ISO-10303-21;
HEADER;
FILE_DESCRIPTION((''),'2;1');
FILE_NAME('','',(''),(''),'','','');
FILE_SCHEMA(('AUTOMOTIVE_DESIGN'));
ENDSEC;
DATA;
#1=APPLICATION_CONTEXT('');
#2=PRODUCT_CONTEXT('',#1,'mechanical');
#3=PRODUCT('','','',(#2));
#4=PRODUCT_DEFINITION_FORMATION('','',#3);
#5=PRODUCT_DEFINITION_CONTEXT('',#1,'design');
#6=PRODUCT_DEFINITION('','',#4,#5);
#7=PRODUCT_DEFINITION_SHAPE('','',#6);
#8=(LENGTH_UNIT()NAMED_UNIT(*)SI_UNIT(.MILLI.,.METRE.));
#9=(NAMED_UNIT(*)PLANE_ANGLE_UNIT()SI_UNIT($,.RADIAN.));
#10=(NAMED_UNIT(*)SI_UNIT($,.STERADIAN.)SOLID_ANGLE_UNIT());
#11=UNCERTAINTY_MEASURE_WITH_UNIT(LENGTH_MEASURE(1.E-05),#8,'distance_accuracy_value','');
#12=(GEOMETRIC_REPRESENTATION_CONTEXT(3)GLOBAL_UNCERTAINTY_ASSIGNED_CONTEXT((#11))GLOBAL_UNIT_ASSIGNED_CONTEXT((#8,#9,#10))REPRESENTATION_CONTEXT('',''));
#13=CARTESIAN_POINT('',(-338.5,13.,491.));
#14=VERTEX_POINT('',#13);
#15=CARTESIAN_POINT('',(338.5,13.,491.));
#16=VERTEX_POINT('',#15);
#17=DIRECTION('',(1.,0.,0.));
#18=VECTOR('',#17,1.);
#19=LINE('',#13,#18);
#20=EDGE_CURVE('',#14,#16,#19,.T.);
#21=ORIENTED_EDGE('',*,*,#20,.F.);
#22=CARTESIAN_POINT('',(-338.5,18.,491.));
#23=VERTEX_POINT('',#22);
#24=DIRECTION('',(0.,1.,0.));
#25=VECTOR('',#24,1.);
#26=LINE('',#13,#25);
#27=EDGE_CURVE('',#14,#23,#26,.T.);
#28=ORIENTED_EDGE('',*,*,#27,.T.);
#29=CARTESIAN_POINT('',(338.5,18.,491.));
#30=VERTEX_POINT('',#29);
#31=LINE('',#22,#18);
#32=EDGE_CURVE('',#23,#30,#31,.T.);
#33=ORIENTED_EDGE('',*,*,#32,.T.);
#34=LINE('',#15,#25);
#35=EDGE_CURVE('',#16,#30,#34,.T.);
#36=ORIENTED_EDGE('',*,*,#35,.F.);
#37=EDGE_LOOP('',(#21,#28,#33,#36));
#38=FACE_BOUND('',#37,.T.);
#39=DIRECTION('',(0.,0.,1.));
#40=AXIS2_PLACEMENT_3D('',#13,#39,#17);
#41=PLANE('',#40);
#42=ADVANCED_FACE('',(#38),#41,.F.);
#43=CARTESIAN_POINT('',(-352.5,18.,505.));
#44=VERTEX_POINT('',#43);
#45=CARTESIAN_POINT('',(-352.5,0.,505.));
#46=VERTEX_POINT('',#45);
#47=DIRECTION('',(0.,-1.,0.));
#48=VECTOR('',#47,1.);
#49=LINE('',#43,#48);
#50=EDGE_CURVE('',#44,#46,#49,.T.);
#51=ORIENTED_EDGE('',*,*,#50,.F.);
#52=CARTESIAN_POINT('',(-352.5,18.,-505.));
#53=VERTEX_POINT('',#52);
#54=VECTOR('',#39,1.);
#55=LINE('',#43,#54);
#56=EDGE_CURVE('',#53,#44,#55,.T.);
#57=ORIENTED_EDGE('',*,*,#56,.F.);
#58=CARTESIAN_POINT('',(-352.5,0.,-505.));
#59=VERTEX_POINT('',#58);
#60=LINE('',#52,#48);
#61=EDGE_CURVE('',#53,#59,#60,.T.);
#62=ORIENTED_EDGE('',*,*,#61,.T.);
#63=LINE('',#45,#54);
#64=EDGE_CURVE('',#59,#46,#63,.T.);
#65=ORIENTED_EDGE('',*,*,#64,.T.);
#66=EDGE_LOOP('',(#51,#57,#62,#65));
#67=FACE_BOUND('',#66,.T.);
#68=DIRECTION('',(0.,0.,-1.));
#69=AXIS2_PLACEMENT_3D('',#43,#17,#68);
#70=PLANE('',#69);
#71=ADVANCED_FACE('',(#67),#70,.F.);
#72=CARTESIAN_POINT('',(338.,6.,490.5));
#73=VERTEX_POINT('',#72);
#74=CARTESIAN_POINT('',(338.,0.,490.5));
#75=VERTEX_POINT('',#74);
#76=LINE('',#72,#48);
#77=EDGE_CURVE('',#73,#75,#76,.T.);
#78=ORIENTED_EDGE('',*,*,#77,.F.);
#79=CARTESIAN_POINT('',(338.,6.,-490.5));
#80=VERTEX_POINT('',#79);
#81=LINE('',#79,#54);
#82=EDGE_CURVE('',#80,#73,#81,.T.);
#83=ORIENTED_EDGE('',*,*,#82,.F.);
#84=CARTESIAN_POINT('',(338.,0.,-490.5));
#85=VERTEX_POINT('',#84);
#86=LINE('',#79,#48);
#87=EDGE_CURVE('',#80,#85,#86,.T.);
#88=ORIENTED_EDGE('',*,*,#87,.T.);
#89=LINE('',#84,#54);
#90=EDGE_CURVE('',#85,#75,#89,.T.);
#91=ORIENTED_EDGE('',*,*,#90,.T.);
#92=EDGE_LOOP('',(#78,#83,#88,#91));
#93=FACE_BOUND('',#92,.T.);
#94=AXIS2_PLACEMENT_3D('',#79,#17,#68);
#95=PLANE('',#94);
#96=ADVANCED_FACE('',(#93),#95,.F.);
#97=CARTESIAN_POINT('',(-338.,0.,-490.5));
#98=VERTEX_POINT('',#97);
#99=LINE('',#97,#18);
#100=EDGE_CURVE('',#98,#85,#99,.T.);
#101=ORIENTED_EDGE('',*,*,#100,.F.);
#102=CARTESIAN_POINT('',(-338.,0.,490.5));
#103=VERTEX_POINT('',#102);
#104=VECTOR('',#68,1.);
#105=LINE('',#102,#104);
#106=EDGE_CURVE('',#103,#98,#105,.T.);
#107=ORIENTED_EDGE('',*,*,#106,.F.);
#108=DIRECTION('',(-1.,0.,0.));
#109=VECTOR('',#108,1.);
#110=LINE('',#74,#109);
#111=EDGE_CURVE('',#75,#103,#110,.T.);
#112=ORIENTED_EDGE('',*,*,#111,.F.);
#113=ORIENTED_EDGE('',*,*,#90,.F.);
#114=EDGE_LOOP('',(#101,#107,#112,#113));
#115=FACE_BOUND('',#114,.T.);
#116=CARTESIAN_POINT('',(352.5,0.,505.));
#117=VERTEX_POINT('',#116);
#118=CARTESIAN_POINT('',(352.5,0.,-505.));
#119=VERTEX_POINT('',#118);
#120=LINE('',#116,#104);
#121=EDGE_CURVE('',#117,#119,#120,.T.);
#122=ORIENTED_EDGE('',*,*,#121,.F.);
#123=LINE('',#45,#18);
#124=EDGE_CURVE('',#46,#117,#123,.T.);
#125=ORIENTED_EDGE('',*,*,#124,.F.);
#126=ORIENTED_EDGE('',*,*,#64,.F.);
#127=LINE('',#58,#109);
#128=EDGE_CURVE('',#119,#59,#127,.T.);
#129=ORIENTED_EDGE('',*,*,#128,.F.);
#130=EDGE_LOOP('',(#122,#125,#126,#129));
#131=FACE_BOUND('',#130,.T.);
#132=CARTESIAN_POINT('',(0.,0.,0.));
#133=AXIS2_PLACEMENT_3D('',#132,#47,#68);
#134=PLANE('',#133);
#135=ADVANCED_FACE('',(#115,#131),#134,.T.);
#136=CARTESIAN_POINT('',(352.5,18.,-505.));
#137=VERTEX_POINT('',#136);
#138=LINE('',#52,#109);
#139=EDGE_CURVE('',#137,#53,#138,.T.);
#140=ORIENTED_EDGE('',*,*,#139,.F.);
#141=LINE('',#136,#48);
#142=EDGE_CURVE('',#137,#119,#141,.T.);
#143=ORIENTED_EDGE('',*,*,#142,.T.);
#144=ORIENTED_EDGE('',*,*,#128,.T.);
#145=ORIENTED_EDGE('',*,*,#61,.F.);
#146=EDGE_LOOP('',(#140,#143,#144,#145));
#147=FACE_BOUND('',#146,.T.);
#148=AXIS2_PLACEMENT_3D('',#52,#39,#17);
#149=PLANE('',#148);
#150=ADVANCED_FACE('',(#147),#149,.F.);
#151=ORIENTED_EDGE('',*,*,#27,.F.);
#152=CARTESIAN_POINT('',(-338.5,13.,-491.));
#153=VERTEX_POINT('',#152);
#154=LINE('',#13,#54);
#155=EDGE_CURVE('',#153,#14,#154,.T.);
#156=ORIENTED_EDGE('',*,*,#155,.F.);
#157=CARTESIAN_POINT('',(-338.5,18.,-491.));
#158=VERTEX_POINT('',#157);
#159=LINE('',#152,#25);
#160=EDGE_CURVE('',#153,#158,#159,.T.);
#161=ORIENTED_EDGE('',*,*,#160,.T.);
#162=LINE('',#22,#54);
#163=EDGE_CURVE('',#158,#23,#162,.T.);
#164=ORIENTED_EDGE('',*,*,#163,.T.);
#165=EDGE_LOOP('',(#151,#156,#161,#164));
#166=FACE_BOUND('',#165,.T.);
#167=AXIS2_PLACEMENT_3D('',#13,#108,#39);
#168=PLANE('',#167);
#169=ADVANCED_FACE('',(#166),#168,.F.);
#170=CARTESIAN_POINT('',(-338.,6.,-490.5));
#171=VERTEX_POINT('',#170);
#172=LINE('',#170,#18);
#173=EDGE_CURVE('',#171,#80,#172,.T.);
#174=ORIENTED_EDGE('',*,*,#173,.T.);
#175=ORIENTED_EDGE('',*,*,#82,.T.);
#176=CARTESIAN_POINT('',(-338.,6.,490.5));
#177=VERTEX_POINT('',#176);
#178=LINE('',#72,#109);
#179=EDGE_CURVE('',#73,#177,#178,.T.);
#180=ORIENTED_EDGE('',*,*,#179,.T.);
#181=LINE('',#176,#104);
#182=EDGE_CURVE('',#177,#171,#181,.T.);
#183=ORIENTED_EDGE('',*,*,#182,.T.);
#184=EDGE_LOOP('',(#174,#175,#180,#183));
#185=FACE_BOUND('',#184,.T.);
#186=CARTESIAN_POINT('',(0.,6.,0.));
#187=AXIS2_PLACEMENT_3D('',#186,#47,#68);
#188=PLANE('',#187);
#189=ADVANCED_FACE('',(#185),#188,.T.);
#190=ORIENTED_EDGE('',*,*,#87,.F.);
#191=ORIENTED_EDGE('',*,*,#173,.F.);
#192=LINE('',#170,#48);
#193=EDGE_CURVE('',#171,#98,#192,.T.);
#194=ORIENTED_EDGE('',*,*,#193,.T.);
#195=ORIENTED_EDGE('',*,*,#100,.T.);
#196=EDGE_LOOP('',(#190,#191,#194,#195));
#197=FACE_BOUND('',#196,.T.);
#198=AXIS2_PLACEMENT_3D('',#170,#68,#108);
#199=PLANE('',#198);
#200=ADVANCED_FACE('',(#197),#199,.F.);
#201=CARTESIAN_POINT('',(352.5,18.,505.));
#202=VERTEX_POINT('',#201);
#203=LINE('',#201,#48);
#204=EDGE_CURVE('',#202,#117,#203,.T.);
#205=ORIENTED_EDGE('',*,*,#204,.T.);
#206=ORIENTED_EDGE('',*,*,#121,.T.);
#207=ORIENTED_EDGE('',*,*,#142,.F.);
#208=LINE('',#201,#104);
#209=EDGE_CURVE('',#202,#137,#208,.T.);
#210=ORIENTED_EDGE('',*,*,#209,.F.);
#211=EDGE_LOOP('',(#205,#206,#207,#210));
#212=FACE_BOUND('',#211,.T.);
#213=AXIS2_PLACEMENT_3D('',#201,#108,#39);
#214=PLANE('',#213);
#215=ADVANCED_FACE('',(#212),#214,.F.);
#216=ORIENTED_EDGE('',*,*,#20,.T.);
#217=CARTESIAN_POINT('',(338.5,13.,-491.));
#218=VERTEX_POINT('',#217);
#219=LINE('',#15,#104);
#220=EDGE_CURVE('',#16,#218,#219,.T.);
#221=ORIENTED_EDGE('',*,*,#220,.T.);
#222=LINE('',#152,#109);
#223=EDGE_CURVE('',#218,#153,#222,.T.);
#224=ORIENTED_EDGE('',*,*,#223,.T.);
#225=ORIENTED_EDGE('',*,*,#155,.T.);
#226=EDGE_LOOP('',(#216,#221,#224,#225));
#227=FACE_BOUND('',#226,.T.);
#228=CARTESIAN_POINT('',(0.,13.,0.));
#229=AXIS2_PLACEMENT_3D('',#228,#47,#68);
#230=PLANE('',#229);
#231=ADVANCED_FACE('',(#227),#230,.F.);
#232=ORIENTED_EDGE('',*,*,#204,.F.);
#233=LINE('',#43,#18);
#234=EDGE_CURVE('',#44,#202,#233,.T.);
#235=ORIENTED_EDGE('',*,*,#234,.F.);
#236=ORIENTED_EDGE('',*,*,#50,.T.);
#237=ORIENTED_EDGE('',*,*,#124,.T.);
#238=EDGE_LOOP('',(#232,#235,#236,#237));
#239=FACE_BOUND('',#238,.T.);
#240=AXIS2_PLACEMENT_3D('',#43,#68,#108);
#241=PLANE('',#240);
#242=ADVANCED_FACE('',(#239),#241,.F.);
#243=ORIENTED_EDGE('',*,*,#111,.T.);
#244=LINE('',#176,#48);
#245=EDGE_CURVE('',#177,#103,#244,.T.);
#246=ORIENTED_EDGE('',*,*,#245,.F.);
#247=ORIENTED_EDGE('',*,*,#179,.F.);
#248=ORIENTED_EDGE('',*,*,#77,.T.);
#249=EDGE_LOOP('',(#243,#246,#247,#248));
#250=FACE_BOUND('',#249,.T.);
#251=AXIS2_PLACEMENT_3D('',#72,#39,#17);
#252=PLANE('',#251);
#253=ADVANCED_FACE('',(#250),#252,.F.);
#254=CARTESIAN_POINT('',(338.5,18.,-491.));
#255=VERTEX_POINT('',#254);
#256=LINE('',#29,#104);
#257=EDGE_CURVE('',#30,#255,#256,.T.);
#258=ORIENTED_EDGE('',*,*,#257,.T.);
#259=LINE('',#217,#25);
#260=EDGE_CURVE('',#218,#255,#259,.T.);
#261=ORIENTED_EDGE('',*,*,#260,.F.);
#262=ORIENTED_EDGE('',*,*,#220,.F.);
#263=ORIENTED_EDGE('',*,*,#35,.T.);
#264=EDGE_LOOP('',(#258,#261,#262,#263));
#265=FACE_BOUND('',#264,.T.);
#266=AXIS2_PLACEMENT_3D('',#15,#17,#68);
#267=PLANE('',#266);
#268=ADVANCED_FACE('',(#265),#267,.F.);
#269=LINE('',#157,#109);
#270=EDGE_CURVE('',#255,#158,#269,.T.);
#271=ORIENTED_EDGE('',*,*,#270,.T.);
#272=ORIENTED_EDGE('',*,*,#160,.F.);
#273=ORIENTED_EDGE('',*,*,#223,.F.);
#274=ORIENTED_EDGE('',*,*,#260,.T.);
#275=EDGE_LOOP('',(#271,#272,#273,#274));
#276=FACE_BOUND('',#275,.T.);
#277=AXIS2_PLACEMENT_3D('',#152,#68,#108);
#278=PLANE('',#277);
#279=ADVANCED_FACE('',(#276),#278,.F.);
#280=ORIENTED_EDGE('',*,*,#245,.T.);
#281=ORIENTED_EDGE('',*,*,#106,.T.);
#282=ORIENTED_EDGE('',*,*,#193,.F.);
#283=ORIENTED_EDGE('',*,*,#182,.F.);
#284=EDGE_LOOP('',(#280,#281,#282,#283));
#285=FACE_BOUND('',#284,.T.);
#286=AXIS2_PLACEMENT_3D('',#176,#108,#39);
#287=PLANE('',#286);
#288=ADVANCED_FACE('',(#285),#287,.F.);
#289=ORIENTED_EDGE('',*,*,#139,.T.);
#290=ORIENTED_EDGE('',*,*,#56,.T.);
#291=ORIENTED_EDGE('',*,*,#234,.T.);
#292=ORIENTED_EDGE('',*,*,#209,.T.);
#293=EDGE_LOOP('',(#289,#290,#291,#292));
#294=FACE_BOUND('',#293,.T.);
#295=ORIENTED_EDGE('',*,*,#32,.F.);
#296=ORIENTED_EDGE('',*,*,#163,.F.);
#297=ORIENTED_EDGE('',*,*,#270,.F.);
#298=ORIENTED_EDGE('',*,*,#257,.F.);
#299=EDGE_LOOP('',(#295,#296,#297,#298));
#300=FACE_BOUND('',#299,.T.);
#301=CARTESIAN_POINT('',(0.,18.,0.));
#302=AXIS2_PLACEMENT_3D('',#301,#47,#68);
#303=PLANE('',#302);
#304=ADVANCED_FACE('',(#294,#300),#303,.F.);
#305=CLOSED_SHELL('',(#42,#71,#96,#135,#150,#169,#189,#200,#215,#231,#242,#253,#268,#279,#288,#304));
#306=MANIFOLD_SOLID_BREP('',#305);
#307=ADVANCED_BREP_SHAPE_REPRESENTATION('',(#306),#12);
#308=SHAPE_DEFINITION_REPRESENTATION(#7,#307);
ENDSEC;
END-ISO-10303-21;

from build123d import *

# Parameters (mm, degrees)
SKETCH1_W           = 705
SKETCH1_H           = 1010
BOSS_EXTRUDE1_DEPTH = 18
SKETCH2_W           = 677
SKETCH2_H           = 982
CUT_EXTRUDE1_DEPTH  = 5
SKETCH4_W           = 676
SKETCH4_H           = 981
CUT_EXTRUDE2_DEPTH  = 6


with BuildPart() as part:
    # Sketch1 → Boss-Extrude1 (new body)
    with BuildSketch(Plane(origin=(0, 0, 0), x_dir=(1, 0, 0), z_dir=(0, 1, 0))):
        Rectangle(SKETCH1_W, SKETCH1_H)
    extrude(amount=BOSS_EXTRUDE1_DEPTH)

    # Sketch2 → Cut-Extrude1 (cut)
    with BuildSketch(Plane(origin=(0, 18, 0), x_dir=(1, 0, 0), z_dir=(0, 1, 0))):
        Rectangle(SKETCH2_W, SKETCH2_H)
    extrude(amount=-CUT_EXTRUDE1_DEPTH, mode=Mode.SUBTRACT)

    # Sketch4 → Cut-Extrude2 (cut)
    with BuildSketch(Plane.XZ):
        Rectangle(SKETCH4_W, SKETCH4_H)
    extrude(amount=-CUT_EXTRUDE2_DEPTH, mode=Mode.SUBTRACT)


solid = part.part
